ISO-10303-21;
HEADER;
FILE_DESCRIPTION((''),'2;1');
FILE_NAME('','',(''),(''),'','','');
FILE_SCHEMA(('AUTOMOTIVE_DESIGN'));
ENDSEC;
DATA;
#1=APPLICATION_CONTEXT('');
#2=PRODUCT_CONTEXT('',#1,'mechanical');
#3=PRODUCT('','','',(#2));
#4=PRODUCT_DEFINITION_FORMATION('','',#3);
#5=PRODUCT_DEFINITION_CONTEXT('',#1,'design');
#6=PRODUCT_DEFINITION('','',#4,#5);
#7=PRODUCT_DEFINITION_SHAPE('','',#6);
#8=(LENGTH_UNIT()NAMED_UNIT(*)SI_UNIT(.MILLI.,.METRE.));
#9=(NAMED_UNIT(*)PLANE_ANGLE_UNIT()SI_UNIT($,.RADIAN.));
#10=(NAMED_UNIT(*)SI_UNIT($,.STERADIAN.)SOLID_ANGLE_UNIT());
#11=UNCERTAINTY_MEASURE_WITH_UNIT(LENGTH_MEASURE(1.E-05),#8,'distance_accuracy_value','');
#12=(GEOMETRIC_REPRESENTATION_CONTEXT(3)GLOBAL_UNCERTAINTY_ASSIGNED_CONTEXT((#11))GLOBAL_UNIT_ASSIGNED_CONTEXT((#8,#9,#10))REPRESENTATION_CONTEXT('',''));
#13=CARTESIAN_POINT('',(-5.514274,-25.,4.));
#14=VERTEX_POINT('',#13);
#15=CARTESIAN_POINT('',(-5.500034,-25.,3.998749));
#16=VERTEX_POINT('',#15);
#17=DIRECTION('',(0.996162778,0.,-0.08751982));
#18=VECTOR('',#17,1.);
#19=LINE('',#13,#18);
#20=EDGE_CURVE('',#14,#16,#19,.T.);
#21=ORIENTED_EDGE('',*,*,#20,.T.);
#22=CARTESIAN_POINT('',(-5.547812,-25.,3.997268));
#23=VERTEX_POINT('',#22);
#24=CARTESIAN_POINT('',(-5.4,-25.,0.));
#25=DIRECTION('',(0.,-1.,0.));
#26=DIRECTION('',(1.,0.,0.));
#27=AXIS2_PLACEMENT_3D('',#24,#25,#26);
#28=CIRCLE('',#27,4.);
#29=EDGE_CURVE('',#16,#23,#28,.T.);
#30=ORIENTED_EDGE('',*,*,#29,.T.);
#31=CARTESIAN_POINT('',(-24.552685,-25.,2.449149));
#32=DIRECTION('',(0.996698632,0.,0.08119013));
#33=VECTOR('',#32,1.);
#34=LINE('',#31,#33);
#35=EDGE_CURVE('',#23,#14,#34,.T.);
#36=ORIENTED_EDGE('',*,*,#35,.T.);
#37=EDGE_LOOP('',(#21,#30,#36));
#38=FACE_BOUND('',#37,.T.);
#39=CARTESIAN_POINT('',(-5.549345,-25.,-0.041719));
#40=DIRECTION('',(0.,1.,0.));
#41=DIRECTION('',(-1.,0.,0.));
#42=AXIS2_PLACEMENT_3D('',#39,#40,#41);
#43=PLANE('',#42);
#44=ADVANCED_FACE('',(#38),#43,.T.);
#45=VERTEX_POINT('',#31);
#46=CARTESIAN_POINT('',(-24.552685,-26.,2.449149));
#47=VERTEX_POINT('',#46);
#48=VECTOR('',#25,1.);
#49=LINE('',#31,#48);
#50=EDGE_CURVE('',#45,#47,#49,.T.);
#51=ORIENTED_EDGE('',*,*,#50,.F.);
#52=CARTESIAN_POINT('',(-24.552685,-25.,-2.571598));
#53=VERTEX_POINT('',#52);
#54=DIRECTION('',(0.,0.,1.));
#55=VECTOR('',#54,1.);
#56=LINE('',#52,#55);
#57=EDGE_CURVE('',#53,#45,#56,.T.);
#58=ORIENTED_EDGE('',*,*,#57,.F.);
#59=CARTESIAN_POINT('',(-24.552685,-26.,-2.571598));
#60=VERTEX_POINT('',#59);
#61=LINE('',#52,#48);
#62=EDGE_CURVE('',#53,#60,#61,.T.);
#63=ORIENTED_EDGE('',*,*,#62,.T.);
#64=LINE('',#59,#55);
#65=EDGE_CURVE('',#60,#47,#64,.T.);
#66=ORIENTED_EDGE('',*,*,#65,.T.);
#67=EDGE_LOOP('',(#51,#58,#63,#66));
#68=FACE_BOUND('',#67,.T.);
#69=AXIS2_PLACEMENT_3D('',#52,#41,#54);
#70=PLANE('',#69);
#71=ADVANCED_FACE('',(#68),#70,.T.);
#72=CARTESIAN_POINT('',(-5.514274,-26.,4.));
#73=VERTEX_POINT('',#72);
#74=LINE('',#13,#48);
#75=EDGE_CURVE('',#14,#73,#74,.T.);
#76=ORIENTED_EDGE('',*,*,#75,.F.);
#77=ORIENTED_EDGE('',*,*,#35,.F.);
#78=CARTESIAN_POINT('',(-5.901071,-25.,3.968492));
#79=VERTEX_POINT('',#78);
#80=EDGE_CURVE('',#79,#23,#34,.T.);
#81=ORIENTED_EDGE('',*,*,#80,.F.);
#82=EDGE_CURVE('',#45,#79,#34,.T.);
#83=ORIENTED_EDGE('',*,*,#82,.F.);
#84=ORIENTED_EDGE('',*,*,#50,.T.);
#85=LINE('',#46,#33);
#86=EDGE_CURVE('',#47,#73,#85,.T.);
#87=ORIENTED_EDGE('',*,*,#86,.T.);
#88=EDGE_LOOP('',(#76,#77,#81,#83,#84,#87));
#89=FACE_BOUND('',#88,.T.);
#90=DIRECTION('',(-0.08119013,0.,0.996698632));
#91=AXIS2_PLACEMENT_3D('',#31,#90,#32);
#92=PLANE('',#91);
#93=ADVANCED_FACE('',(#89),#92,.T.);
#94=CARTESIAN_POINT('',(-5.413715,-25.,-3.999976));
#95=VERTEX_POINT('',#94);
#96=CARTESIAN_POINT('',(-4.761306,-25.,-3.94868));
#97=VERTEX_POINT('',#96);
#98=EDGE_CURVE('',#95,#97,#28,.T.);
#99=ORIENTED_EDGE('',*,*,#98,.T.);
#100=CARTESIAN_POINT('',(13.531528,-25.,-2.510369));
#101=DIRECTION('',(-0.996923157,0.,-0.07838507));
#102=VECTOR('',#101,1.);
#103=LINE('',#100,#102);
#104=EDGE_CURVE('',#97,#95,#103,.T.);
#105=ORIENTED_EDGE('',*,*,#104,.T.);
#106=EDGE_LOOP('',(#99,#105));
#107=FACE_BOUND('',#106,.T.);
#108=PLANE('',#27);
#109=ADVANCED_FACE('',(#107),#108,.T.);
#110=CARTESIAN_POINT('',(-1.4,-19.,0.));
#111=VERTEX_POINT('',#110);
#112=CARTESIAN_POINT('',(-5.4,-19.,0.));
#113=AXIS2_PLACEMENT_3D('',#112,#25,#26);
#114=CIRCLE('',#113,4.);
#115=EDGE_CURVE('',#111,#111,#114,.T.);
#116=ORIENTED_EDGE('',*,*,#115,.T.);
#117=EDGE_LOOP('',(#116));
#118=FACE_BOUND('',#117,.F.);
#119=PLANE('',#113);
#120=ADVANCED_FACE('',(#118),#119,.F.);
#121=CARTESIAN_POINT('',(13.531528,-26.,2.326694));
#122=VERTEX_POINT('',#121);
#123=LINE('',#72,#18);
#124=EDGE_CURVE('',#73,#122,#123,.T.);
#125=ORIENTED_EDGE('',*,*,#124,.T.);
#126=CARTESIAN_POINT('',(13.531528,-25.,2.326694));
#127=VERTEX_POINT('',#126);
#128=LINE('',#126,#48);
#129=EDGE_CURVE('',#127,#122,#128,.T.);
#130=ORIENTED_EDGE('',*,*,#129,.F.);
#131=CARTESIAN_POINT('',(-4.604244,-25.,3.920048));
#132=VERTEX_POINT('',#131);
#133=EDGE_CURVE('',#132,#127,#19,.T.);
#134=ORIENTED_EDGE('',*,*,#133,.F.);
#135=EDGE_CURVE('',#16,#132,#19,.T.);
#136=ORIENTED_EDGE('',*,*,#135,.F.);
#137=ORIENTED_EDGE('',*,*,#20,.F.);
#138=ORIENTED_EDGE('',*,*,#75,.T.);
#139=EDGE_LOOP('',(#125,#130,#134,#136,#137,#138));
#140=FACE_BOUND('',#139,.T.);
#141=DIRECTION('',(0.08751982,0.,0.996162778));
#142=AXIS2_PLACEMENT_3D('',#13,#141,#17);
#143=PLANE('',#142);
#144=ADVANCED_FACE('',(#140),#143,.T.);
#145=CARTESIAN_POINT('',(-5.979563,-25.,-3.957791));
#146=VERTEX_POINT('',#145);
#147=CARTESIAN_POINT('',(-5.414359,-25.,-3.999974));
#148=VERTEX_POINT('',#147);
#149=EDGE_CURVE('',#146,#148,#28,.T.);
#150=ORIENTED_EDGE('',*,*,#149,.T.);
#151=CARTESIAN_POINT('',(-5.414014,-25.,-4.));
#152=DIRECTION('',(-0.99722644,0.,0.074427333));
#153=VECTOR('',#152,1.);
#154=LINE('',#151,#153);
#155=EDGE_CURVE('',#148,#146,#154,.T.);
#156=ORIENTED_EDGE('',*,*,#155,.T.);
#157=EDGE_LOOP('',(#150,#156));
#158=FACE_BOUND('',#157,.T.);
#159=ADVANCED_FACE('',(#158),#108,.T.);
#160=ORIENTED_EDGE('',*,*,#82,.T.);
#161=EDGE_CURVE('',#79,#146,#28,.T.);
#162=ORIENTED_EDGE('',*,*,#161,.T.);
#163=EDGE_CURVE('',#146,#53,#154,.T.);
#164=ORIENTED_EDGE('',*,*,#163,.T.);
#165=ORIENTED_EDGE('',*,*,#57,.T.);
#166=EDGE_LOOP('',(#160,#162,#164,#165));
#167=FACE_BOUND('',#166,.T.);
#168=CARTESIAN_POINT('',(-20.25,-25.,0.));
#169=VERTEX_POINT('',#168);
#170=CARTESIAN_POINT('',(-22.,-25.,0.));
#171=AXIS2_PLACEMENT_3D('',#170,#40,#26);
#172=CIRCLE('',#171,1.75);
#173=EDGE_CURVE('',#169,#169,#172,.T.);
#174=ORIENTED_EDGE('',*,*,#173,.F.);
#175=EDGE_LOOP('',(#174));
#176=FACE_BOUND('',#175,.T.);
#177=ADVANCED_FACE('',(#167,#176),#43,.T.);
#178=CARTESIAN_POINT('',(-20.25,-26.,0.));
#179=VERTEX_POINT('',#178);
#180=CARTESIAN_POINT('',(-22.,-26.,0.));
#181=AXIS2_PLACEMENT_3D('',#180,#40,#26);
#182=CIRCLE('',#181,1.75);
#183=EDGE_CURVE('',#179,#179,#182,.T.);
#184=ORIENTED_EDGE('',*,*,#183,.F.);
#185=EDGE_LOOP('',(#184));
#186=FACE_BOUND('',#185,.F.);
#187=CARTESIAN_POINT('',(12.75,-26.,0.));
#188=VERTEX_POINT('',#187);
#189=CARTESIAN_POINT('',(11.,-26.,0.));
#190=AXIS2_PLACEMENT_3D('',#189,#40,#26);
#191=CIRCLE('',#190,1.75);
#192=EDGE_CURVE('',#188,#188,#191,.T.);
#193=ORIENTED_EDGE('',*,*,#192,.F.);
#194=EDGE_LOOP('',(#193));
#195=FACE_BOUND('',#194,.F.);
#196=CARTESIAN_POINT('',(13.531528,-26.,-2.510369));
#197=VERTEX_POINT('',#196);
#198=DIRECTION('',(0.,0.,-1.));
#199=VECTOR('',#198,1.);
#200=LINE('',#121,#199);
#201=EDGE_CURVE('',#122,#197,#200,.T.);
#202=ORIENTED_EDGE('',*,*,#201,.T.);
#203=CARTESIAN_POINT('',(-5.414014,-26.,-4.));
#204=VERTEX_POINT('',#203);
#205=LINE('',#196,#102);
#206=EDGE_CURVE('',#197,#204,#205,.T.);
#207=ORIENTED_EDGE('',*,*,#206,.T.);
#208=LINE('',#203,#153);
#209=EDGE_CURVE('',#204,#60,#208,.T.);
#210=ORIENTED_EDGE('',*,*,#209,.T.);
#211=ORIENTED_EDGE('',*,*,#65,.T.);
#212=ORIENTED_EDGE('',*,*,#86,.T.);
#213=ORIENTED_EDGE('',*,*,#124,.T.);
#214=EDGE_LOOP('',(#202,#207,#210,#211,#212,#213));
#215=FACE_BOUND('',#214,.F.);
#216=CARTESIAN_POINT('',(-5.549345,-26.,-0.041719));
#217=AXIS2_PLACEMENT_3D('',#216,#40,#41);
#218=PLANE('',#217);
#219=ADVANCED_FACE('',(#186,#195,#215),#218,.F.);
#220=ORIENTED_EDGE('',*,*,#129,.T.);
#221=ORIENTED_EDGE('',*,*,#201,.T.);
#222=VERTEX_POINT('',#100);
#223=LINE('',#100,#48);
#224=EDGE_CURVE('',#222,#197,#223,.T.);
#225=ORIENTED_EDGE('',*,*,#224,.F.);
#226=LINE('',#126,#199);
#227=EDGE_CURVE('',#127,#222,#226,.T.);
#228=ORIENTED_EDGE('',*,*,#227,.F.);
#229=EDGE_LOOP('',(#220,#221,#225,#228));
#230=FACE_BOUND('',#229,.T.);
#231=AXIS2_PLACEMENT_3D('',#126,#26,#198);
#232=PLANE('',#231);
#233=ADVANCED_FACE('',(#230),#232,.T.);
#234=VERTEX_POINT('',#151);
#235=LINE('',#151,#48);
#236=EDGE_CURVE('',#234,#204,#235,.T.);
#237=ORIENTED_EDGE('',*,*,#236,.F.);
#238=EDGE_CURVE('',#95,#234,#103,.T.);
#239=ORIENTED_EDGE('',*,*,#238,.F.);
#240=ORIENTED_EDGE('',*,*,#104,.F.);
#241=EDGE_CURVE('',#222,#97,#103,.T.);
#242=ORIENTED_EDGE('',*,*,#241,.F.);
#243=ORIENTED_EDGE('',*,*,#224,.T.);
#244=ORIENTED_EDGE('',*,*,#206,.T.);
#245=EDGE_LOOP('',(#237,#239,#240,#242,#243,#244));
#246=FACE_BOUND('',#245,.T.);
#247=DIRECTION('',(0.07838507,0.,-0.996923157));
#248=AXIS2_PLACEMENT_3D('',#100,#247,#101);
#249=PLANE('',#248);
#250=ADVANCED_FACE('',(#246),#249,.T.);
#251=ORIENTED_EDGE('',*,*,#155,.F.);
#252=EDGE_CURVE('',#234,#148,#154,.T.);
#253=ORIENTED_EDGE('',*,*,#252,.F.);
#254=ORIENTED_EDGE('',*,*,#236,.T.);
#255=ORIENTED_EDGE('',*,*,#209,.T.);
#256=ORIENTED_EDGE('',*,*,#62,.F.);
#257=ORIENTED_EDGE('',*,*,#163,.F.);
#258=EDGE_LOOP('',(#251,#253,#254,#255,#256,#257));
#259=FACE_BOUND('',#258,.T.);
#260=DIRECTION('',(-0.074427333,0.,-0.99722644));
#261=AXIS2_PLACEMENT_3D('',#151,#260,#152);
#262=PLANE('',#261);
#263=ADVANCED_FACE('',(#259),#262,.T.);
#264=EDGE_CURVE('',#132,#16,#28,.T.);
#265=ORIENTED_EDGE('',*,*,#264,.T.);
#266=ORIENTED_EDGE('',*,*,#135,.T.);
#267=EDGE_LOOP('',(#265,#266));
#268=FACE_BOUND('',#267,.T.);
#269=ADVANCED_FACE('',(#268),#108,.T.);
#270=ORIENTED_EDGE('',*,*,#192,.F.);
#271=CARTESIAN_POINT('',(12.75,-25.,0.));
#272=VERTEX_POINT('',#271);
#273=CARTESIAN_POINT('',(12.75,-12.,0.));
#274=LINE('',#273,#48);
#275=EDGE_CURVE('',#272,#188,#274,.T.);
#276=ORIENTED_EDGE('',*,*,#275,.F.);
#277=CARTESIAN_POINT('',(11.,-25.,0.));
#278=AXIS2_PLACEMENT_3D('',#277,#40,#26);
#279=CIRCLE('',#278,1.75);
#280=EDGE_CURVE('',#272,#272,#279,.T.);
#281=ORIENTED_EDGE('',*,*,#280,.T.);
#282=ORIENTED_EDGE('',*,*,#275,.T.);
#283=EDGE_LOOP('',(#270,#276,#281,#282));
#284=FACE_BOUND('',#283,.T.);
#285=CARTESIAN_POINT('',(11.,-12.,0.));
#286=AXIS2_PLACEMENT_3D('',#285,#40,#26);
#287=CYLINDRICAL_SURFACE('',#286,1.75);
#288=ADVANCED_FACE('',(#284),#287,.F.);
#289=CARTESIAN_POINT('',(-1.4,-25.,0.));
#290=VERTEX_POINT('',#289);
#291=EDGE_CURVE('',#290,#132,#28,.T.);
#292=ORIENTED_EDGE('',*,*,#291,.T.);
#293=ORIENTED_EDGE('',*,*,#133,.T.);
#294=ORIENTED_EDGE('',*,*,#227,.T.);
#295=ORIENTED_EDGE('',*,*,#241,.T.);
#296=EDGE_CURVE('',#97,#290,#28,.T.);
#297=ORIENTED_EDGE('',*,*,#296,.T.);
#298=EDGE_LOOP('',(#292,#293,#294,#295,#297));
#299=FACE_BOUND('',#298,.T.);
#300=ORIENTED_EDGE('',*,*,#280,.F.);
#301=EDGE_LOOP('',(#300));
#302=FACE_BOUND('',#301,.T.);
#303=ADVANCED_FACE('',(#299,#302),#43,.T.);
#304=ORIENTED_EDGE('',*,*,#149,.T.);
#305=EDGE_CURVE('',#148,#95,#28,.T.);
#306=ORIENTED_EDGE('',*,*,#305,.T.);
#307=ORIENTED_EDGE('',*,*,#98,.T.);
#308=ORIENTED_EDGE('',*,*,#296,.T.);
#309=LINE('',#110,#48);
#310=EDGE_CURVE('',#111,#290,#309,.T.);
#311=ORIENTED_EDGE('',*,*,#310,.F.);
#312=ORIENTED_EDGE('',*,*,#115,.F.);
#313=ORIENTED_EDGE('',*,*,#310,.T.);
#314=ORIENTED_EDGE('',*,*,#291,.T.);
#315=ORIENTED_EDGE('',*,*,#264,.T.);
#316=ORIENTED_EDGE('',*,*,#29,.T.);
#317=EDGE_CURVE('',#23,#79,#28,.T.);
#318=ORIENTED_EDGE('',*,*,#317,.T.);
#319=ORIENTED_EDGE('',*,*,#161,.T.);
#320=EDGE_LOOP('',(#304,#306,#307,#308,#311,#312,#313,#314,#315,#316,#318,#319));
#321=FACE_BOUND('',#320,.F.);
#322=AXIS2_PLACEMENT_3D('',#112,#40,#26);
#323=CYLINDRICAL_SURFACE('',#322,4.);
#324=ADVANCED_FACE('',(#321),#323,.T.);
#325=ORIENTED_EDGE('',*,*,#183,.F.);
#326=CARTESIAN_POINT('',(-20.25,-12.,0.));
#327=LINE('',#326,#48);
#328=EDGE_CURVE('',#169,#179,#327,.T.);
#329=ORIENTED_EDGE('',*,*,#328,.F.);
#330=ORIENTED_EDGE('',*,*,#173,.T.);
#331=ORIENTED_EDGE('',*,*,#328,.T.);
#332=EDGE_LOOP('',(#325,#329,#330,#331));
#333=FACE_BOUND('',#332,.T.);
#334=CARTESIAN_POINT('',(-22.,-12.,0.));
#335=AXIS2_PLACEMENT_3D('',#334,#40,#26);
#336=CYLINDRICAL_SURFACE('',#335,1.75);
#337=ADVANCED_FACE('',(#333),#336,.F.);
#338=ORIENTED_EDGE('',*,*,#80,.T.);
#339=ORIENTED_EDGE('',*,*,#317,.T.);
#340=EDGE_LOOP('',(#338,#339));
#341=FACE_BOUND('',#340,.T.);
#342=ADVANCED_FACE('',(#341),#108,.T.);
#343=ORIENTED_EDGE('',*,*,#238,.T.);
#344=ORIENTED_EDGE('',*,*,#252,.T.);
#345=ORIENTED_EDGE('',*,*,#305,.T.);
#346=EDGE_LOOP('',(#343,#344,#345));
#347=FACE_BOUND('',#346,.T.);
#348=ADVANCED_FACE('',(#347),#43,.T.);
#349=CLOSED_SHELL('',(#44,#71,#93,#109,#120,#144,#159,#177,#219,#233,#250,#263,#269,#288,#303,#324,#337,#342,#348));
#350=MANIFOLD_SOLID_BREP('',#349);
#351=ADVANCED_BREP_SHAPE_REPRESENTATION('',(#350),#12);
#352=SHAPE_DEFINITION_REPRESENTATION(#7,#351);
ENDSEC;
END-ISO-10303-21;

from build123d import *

# Parameters (mm, degrees)
CYLINDER023_R          = 1.75
CYLINDER023_DEPTH      = 17
CYLINDER023_ROLL_ANGLE = 90
CYLINDER022_R          = 1.75
CYLINDER022_DEPTH      = 17
CYLINDER022_ROLL_ANGLE = 90
PAD009_DEPTH           = 1
CYLINDER009_R          = 4
CYLINDER009_DEPTH      = 6
CYLINDER009_ROLL_ANGLE = 90


with BuildPart() as cylinder023:
    # Cylinder023 → Cylinder023 (new body)
    with BuildSketch(Plane.XY):
        Circle(CYLINDER023_R)
    extrude(amount=CYLINDER023_DEPTH)


with BuildPart() as cylinder023_1:
    # Cylinder023 roll: moved
    add(cylinder023.part.rotate(Axis((0, 0, 0), (1, 0, 0)), CYLINDER023_ROLL_ANGLE))


with BuildPart() as cylinder023_2:
    # Cylinder023 placement: moved
    add(cylinder023_1.part.moved(Location((-22, -12, 0))))


with BuildPart() as fusion002:
    # Cylinder022 → Cylinder022 (new body)
    with BuildSketch(Plane.XY):
        Circle(CYLINDER022_R)
    extrude(amount=CYLINDER022_DEPTH)


with BuildPart() as fusion002_1:
    # Cylinder022 roll: moved
    add(fusion002.part.rotate(Axis((0, 0, 0), (1, 0, 0)), CYLINDER022_ROLL_ANGLE))


with BuildPart() as fusion002_2:
    # Cylinder022 placement: moved
    add(fusion002_1.part.moved(Location((11, -12, 0))))

    # Fusion002: union Cylinder023
    add(cylinder023_2.part)


with BuildPart() as cut007:
    # Sketch008 → Pad009 (new body)
    with BuildSketch(Plane.XZ.offset(25)):
        Polygon((-24.552685, 2.449149), (-5.514274, 4), (13.531528, 2.326694), (13.531528, -2.510369), (-5.414014, -4), (-24.552685, -2.571598), align=None)
    extrude(amount=PAD009_DEPTH)

    # Cut007: cut Fusion002
    add(fusion002_2.part, mode=Mode.SUBTRACT)


with BuildPart() as fusion003:
    # Cylinder009 → Cylinder009 (new body)
    with BuildSketch(Plane.XY):
        Circle(CYLINDER009_R)
    extrude(amount=CYLINDER009_DEPTH)


with BuildPart() as fusion003_1:
    # Cylinder009 roll: moved
    add(fusion003.part.rotate(Axis((0, 0, 0), (1, 0, 0)), CYLINDER009_ROLL_ANGLE))


with BuildPart() as fusion003_2:
    # Cylinder009 placement: moved
    add(fusion003_1.part.moved(Location((-5.4, -19, 0))))

    # Fusion003: union Cut007
    add(cut007.part)


solid = fusion003_2.part
